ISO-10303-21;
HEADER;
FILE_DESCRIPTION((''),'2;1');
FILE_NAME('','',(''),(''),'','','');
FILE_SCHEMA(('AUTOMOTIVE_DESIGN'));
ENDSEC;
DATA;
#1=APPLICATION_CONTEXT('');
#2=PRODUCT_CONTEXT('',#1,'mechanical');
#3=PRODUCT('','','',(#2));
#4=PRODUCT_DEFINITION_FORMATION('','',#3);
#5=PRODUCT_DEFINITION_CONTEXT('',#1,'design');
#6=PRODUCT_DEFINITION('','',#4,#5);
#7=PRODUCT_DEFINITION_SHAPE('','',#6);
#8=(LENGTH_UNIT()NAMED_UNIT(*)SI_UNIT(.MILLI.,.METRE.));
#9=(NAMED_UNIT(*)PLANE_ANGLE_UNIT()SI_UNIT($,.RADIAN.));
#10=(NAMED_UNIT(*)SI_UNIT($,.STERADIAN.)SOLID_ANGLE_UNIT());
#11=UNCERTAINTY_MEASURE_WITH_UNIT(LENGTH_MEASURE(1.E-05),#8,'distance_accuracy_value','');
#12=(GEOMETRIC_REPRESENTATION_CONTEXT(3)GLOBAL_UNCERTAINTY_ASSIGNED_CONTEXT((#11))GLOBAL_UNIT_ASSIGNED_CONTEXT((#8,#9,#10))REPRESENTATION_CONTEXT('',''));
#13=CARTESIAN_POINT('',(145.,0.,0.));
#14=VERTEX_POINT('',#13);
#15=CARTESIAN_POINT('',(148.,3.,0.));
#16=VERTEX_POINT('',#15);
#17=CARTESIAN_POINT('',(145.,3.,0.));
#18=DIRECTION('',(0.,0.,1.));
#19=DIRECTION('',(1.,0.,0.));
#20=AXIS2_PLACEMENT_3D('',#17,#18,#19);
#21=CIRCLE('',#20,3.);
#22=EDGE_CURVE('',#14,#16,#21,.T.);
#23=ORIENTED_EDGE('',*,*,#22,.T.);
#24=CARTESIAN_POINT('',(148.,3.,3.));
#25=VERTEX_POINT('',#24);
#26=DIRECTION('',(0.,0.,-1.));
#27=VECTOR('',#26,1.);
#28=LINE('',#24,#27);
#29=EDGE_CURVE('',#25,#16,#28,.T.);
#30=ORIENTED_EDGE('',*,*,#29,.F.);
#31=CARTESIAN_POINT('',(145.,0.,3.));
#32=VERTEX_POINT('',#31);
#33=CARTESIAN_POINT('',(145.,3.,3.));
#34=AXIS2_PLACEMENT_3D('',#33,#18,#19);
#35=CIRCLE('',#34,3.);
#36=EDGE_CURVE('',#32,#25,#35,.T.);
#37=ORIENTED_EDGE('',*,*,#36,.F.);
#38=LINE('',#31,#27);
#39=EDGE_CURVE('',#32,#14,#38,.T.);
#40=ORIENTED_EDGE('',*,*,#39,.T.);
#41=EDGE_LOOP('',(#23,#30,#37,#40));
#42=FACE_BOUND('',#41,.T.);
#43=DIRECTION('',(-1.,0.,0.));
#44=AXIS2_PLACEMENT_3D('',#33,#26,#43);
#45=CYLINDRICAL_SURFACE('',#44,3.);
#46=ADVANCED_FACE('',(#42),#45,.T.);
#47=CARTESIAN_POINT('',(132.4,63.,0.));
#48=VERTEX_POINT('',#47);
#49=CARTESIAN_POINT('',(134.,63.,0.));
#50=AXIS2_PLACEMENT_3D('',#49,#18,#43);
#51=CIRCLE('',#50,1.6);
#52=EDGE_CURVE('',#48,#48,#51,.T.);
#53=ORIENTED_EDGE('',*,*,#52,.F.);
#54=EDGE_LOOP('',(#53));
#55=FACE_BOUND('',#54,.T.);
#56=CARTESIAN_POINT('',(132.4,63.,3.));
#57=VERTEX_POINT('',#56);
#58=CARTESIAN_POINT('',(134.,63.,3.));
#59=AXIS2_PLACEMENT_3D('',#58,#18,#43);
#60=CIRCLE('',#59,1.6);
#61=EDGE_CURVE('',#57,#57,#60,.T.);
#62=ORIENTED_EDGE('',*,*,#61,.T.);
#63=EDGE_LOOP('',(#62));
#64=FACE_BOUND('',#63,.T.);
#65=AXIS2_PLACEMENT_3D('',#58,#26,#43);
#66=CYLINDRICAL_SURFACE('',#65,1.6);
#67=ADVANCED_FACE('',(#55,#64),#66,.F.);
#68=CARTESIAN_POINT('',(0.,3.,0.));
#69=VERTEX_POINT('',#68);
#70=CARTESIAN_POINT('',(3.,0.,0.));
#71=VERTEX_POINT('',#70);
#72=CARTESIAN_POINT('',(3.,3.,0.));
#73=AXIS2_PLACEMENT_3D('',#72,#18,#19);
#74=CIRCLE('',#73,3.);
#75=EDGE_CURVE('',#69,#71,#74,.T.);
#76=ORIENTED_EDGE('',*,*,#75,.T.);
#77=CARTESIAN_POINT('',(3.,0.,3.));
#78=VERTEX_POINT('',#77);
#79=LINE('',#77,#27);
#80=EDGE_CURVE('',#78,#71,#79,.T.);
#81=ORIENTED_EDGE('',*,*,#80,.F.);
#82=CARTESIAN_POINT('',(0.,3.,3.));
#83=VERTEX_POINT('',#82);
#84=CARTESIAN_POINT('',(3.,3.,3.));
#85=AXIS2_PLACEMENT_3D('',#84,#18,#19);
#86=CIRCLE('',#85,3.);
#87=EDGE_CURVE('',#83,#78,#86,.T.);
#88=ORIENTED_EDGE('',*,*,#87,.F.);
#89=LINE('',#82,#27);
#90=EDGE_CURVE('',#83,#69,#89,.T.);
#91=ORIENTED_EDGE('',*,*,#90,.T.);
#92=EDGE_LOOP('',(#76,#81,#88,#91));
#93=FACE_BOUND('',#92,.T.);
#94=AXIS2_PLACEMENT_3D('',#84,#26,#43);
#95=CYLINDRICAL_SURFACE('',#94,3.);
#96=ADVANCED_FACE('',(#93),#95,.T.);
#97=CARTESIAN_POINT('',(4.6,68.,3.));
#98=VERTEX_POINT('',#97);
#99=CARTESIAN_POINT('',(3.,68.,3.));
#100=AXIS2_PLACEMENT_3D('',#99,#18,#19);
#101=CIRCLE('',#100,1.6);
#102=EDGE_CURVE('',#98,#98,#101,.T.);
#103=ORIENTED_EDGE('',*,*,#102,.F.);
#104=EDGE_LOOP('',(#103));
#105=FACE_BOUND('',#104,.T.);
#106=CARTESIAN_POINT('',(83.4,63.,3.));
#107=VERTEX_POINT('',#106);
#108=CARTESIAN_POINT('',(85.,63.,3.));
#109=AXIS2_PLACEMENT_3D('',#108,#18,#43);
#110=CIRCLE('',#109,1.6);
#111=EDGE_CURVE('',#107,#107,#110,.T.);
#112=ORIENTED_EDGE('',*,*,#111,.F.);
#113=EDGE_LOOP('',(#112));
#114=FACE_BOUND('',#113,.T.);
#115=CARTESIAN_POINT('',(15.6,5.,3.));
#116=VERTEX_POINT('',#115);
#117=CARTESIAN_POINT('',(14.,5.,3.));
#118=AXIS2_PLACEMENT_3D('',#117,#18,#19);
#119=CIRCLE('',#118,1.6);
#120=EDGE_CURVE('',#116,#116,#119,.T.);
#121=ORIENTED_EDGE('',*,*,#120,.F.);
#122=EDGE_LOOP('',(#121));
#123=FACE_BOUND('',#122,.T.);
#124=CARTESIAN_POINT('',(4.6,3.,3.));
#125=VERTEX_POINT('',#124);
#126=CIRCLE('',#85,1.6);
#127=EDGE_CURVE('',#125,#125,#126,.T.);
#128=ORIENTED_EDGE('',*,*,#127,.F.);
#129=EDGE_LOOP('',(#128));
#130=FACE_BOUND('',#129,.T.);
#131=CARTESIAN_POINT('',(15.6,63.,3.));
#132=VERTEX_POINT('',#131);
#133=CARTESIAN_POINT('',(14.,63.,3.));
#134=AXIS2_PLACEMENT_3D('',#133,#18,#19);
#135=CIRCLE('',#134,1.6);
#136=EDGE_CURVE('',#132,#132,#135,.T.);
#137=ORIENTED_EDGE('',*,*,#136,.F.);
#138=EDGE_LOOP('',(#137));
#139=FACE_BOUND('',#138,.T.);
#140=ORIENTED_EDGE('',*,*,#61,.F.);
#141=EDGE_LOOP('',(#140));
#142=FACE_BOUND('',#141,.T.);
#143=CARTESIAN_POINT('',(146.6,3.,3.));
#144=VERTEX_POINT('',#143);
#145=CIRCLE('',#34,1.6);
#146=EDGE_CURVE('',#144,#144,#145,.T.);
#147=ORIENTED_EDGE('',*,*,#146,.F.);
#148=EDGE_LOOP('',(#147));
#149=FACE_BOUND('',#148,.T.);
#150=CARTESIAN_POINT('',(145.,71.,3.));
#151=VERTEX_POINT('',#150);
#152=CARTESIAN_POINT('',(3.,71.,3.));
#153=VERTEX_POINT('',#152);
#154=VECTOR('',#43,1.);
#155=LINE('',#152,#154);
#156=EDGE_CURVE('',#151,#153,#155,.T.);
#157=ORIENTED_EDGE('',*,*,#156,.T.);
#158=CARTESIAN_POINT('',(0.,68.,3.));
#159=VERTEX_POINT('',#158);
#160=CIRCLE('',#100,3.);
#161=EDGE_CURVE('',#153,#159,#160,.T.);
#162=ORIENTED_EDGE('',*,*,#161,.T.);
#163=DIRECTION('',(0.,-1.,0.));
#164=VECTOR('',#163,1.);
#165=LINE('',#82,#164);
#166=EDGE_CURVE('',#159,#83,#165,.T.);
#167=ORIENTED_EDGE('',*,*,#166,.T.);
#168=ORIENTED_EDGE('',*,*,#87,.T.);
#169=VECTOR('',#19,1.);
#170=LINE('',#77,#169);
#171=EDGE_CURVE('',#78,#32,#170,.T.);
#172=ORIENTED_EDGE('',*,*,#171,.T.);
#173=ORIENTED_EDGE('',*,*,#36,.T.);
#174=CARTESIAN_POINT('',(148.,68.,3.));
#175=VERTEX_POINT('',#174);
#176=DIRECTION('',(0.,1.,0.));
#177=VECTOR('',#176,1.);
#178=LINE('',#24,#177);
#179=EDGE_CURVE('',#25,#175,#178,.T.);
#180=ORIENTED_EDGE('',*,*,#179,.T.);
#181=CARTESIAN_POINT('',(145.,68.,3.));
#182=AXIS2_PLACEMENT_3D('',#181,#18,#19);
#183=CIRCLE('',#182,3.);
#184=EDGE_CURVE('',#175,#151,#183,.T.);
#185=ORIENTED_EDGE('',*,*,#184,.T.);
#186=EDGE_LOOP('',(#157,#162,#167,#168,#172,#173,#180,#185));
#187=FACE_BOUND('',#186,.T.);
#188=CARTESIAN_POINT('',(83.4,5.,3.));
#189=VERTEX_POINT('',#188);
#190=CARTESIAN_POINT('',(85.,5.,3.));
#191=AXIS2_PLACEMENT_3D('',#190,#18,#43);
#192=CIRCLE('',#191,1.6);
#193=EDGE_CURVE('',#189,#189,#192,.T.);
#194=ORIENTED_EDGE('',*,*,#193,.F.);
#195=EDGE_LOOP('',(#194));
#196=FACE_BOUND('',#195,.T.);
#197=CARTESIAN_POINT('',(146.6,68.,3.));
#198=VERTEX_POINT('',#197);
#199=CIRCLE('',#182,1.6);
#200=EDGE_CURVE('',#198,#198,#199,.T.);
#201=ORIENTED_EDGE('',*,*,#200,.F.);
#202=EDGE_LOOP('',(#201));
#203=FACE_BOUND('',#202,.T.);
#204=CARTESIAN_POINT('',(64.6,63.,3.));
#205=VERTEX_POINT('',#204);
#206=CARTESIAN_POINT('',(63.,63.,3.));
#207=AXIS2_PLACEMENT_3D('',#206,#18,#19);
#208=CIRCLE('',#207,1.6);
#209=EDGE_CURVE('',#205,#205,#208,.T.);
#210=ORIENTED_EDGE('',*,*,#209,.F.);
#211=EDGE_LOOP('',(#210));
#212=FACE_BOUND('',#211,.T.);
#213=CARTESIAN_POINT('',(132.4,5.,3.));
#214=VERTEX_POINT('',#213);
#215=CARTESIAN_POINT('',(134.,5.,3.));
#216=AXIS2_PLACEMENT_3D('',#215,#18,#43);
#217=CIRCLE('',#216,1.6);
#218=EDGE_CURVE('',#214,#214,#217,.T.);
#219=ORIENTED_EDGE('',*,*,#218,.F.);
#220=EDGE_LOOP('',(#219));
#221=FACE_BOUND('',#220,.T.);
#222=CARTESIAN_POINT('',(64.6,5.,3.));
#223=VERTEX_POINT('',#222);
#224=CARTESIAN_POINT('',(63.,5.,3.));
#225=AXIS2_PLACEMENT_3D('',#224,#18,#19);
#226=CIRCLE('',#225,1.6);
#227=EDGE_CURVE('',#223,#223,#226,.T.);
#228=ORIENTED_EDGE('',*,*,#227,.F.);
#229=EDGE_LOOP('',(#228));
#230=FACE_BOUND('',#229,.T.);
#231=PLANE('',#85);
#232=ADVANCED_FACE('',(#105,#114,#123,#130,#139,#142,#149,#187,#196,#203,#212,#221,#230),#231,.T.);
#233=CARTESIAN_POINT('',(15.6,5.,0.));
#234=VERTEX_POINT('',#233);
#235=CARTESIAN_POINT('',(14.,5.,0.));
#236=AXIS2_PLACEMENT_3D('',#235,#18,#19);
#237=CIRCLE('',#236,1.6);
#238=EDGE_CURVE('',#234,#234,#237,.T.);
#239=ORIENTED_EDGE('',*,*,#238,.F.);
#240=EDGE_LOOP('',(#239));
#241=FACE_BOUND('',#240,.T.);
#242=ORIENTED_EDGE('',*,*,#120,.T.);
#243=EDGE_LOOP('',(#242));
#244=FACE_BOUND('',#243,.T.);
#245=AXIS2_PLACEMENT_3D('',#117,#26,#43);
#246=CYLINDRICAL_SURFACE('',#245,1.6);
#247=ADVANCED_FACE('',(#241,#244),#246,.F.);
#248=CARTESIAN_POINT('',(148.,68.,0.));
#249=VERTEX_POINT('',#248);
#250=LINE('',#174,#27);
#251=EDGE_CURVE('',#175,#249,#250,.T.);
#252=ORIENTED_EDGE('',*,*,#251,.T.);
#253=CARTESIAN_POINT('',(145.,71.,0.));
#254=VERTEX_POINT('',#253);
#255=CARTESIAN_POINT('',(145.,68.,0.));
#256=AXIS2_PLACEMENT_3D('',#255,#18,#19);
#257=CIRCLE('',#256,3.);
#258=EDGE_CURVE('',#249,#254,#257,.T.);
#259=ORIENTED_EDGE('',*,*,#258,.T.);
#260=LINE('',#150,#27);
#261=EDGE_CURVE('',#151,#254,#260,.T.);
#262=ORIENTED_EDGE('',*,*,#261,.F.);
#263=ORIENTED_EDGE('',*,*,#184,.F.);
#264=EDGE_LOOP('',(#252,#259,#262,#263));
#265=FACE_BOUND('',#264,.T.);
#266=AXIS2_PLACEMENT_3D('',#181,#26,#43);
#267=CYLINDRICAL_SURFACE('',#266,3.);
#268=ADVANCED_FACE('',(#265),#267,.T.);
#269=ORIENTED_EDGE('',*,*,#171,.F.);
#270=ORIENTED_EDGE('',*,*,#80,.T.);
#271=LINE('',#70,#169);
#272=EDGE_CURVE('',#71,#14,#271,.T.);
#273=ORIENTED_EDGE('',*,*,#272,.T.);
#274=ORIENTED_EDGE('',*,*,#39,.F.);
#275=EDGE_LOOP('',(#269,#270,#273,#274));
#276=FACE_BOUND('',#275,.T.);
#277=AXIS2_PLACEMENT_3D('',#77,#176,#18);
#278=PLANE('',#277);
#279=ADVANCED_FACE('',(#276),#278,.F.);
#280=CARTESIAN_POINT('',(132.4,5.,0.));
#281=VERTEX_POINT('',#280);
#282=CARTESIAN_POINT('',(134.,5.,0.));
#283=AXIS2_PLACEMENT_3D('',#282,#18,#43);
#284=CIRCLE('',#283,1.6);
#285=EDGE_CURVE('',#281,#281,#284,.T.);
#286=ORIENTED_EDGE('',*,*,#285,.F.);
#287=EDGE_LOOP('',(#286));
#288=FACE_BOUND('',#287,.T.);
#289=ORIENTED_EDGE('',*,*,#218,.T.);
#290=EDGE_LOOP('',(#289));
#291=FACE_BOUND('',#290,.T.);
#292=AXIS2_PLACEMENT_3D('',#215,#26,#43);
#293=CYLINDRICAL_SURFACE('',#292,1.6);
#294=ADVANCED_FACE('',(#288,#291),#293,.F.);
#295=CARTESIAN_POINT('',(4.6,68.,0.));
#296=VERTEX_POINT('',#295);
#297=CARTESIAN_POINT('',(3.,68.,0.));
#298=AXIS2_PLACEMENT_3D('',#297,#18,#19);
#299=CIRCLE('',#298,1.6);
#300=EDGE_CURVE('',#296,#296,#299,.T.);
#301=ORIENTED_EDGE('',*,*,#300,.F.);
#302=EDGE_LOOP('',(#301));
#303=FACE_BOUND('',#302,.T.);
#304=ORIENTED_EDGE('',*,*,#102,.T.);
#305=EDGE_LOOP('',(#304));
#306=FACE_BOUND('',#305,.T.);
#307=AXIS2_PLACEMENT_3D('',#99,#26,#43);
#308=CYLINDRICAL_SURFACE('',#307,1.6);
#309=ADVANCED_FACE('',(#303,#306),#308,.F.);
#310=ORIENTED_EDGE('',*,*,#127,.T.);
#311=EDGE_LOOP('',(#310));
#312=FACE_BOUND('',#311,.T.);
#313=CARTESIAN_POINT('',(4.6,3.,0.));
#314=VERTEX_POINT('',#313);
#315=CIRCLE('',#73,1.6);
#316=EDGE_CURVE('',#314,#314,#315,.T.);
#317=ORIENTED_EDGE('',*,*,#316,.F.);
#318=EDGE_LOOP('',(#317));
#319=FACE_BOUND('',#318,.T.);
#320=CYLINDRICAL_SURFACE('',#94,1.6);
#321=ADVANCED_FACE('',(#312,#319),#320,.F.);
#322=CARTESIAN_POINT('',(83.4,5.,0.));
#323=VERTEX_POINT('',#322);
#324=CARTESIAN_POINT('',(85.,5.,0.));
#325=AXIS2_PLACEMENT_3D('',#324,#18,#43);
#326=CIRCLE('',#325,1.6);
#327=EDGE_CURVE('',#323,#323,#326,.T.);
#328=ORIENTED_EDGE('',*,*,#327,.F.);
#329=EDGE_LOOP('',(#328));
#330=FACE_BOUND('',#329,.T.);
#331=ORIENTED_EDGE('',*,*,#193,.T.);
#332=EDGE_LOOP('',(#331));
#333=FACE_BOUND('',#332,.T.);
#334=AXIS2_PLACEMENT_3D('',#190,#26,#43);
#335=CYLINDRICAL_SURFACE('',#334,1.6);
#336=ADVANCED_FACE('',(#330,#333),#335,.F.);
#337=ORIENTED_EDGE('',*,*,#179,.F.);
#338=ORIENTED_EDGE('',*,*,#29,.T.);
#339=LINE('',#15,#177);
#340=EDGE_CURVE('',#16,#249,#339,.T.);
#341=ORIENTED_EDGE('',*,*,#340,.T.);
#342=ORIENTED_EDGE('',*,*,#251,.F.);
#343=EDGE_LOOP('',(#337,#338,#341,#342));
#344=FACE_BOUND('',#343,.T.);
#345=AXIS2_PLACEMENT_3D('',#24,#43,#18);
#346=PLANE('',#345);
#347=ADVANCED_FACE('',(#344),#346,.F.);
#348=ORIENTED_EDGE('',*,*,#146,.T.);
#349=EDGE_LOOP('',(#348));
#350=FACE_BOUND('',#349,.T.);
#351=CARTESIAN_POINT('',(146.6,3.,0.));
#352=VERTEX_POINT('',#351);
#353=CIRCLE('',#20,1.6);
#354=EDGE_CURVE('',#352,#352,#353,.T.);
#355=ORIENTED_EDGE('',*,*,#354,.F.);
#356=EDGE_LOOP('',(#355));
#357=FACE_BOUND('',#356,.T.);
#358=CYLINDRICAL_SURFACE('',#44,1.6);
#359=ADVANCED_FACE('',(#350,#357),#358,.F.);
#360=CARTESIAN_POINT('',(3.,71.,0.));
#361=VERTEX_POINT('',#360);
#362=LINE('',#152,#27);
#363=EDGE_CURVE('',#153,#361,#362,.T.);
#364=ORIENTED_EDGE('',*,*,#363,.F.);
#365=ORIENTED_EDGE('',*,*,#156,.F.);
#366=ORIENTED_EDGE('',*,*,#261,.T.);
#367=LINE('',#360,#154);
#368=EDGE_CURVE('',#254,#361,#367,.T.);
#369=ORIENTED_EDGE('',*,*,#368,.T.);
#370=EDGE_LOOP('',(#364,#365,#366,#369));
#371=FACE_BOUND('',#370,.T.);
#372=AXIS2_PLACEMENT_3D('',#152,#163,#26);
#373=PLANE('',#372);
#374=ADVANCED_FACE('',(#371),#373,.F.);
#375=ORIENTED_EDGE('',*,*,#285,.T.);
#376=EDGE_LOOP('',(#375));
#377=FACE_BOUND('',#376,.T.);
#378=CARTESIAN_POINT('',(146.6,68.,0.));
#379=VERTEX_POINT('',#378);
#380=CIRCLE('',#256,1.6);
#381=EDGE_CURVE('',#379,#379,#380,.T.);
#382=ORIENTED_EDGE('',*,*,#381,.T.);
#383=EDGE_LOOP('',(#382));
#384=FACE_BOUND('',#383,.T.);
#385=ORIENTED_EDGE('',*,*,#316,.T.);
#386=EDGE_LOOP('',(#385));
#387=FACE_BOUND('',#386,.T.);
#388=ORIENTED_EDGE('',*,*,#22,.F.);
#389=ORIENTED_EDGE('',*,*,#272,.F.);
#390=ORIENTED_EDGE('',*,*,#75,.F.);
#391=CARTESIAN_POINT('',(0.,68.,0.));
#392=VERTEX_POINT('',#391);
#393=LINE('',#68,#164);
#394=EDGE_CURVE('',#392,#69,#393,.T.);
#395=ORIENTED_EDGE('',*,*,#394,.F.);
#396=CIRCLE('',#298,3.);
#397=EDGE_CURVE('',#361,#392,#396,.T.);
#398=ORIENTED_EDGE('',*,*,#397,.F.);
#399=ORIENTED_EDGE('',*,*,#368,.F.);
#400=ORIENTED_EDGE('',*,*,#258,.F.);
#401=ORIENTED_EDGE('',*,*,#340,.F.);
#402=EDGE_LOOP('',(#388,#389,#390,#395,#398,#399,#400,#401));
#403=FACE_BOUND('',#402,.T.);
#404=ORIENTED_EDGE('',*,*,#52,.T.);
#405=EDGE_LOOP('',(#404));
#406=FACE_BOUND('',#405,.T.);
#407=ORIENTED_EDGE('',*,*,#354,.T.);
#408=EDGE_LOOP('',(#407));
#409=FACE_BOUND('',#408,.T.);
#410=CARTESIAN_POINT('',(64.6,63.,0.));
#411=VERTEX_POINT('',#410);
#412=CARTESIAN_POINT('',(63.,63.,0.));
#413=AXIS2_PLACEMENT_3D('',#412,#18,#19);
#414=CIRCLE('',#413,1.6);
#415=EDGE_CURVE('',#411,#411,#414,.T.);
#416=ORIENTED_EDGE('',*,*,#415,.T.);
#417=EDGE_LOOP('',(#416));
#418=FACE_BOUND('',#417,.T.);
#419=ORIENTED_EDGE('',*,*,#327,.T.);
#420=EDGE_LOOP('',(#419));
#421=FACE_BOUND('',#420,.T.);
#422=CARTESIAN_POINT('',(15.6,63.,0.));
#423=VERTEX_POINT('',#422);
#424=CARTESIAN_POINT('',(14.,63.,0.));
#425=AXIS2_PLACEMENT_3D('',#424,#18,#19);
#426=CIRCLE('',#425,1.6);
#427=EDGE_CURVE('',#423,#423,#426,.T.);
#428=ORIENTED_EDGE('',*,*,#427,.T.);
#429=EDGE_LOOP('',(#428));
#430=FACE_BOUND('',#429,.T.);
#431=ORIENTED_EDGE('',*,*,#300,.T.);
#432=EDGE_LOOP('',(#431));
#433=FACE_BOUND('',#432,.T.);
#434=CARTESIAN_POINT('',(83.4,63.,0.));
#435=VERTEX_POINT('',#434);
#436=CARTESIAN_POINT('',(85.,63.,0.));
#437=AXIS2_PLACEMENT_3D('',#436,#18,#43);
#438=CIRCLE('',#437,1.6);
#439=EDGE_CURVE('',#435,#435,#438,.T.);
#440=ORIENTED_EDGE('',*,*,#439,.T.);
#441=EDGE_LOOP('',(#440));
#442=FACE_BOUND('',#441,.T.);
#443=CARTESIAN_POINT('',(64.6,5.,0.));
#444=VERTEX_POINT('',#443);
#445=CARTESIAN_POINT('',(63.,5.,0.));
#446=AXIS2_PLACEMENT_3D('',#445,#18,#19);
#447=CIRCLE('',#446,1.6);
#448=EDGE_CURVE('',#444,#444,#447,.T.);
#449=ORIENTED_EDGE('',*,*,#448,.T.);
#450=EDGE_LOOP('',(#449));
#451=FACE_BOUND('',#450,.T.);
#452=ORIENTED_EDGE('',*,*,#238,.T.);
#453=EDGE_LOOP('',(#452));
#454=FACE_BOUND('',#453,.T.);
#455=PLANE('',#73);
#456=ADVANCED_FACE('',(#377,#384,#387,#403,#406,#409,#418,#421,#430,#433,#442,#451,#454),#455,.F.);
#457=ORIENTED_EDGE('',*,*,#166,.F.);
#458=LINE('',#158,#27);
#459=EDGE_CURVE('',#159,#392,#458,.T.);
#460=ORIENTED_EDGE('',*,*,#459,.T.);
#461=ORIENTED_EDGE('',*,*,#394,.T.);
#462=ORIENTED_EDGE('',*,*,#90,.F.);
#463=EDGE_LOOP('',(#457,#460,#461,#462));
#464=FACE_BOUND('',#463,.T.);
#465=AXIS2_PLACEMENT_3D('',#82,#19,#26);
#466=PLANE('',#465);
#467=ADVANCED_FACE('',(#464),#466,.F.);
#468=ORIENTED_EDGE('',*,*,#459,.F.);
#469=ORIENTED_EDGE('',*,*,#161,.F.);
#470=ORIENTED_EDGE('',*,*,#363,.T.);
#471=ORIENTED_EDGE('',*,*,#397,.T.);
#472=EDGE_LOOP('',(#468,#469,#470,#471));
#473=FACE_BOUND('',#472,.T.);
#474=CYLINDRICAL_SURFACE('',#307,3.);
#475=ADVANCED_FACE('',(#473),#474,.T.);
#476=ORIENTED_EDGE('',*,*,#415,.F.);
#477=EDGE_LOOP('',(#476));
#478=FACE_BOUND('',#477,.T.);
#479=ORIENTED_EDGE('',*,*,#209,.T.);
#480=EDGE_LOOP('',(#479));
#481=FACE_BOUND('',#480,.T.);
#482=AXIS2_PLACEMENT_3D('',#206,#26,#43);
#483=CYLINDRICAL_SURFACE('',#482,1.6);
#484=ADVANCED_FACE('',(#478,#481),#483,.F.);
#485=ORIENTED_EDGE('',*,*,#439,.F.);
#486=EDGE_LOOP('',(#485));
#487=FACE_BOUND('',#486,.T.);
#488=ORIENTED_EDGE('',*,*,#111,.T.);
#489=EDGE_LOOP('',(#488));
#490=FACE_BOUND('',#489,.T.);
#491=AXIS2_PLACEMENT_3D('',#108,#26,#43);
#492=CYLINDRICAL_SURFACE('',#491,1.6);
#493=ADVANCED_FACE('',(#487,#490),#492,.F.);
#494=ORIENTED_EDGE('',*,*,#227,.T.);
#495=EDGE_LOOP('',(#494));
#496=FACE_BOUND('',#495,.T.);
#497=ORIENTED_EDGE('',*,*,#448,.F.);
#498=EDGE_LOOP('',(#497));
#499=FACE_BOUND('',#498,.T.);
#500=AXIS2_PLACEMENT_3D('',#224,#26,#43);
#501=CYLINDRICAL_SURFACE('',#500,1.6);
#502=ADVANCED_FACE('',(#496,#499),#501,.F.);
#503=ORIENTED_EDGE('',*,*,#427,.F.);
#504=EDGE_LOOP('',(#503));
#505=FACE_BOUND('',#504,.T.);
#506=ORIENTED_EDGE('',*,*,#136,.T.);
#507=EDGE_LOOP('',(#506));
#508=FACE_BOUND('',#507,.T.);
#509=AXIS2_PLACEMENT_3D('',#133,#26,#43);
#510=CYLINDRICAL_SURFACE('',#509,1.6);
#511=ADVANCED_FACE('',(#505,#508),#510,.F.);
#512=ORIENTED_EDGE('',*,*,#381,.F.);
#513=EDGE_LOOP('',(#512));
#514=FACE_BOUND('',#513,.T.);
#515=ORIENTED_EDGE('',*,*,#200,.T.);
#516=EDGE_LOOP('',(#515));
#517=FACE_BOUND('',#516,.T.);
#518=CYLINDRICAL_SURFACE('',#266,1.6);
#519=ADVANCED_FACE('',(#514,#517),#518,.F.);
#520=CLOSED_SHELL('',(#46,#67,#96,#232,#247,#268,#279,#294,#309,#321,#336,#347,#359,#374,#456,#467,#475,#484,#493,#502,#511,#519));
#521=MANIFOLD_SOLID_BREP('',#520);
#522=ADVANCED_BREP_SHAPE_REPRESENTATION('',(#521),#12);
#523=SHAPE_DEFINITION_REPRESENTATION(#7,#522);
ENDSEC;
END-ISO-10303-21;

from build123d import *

# Parameters (mm, degrees)
SKETCH_1_R      = 1.6
EXTRUDE_1_DEPTH = 3


with BuildPart() as part:
    # 草图1 → 凸台-拉伸1 (new body)
    with BuildSketch(Plane.XY):
        with BuildLine():
            Line((3, 0), (145, 0))
            ThreePointArc((145, 0), (147.121320344, 0.878679656), (148, 3))
            Line((148, 3), (148, 68))
            ThreePointArc((148, 68), (147.121320344, 70.121320344), (145, 71))
            Line((145, 71), (3, 71))
            ThreePointArc((3, 71), (0.878679656, 70.121320344), (0, 68))
            Line((0, 68), (0, 3))
            ThreePointArc((0, 3), (0.878679656, 0.878679656), (3, 0))
        make_face()
        with Locations((3, 3)):
            Circle(SKETCH_1_R, mode=Mode.SUBTRACT)
        with Locations((145, 3)):
            Circle(SKETCH_1_R, mode=Mode.SUBTRACT)
        with Locations((145, 68)):
            Circle(SKETCH_1_R, mode=Mode.SUBTRACT)
        with Locations((3, 68)):
            Circle(SKETCH_1_R, mode=Mode.SUBTRACT)
        with Locations((14, 63)):
            Circle(SKETCH_1_R, mode=Mode.SUBTRACT)
        with Locations((63, 63)):
            Circle(SKETCH_1_R, mode=Mode.SUBTRACT)
        with Locations((63, 5)):
            Circle(SKETCH_1_R, mode=Mode.SUBTRACT)
        with Locations((14, 5)):
            Circle(SKETCH_1_R, mode=Mode.SUBTRACT)
        with Locations(Location((85, 63, 0), (0, 0, 180))):
            Circle(SKETCH_1_R, mode=Mode.SUBTRACT)
        with Locations(Location((85, 5, 0), (0, 0, 180))):
            Circle(SKETCH_1_R, mode=Mode.SUBTRACT)
        with Locations(Location((134, 5, 0), (0, 0, 180))):
            Circle(SKETCH_1_R, mode=Mode.SUBTRACT)
        with Locations(Location((134, 63, 0), (0, 0, 180))):
            Circle(SKETCH_1_R, mode=Mode.SUBTRACT)
    extrude(amount=EXTRUDE_1_DEPTH)


solid = part.part
